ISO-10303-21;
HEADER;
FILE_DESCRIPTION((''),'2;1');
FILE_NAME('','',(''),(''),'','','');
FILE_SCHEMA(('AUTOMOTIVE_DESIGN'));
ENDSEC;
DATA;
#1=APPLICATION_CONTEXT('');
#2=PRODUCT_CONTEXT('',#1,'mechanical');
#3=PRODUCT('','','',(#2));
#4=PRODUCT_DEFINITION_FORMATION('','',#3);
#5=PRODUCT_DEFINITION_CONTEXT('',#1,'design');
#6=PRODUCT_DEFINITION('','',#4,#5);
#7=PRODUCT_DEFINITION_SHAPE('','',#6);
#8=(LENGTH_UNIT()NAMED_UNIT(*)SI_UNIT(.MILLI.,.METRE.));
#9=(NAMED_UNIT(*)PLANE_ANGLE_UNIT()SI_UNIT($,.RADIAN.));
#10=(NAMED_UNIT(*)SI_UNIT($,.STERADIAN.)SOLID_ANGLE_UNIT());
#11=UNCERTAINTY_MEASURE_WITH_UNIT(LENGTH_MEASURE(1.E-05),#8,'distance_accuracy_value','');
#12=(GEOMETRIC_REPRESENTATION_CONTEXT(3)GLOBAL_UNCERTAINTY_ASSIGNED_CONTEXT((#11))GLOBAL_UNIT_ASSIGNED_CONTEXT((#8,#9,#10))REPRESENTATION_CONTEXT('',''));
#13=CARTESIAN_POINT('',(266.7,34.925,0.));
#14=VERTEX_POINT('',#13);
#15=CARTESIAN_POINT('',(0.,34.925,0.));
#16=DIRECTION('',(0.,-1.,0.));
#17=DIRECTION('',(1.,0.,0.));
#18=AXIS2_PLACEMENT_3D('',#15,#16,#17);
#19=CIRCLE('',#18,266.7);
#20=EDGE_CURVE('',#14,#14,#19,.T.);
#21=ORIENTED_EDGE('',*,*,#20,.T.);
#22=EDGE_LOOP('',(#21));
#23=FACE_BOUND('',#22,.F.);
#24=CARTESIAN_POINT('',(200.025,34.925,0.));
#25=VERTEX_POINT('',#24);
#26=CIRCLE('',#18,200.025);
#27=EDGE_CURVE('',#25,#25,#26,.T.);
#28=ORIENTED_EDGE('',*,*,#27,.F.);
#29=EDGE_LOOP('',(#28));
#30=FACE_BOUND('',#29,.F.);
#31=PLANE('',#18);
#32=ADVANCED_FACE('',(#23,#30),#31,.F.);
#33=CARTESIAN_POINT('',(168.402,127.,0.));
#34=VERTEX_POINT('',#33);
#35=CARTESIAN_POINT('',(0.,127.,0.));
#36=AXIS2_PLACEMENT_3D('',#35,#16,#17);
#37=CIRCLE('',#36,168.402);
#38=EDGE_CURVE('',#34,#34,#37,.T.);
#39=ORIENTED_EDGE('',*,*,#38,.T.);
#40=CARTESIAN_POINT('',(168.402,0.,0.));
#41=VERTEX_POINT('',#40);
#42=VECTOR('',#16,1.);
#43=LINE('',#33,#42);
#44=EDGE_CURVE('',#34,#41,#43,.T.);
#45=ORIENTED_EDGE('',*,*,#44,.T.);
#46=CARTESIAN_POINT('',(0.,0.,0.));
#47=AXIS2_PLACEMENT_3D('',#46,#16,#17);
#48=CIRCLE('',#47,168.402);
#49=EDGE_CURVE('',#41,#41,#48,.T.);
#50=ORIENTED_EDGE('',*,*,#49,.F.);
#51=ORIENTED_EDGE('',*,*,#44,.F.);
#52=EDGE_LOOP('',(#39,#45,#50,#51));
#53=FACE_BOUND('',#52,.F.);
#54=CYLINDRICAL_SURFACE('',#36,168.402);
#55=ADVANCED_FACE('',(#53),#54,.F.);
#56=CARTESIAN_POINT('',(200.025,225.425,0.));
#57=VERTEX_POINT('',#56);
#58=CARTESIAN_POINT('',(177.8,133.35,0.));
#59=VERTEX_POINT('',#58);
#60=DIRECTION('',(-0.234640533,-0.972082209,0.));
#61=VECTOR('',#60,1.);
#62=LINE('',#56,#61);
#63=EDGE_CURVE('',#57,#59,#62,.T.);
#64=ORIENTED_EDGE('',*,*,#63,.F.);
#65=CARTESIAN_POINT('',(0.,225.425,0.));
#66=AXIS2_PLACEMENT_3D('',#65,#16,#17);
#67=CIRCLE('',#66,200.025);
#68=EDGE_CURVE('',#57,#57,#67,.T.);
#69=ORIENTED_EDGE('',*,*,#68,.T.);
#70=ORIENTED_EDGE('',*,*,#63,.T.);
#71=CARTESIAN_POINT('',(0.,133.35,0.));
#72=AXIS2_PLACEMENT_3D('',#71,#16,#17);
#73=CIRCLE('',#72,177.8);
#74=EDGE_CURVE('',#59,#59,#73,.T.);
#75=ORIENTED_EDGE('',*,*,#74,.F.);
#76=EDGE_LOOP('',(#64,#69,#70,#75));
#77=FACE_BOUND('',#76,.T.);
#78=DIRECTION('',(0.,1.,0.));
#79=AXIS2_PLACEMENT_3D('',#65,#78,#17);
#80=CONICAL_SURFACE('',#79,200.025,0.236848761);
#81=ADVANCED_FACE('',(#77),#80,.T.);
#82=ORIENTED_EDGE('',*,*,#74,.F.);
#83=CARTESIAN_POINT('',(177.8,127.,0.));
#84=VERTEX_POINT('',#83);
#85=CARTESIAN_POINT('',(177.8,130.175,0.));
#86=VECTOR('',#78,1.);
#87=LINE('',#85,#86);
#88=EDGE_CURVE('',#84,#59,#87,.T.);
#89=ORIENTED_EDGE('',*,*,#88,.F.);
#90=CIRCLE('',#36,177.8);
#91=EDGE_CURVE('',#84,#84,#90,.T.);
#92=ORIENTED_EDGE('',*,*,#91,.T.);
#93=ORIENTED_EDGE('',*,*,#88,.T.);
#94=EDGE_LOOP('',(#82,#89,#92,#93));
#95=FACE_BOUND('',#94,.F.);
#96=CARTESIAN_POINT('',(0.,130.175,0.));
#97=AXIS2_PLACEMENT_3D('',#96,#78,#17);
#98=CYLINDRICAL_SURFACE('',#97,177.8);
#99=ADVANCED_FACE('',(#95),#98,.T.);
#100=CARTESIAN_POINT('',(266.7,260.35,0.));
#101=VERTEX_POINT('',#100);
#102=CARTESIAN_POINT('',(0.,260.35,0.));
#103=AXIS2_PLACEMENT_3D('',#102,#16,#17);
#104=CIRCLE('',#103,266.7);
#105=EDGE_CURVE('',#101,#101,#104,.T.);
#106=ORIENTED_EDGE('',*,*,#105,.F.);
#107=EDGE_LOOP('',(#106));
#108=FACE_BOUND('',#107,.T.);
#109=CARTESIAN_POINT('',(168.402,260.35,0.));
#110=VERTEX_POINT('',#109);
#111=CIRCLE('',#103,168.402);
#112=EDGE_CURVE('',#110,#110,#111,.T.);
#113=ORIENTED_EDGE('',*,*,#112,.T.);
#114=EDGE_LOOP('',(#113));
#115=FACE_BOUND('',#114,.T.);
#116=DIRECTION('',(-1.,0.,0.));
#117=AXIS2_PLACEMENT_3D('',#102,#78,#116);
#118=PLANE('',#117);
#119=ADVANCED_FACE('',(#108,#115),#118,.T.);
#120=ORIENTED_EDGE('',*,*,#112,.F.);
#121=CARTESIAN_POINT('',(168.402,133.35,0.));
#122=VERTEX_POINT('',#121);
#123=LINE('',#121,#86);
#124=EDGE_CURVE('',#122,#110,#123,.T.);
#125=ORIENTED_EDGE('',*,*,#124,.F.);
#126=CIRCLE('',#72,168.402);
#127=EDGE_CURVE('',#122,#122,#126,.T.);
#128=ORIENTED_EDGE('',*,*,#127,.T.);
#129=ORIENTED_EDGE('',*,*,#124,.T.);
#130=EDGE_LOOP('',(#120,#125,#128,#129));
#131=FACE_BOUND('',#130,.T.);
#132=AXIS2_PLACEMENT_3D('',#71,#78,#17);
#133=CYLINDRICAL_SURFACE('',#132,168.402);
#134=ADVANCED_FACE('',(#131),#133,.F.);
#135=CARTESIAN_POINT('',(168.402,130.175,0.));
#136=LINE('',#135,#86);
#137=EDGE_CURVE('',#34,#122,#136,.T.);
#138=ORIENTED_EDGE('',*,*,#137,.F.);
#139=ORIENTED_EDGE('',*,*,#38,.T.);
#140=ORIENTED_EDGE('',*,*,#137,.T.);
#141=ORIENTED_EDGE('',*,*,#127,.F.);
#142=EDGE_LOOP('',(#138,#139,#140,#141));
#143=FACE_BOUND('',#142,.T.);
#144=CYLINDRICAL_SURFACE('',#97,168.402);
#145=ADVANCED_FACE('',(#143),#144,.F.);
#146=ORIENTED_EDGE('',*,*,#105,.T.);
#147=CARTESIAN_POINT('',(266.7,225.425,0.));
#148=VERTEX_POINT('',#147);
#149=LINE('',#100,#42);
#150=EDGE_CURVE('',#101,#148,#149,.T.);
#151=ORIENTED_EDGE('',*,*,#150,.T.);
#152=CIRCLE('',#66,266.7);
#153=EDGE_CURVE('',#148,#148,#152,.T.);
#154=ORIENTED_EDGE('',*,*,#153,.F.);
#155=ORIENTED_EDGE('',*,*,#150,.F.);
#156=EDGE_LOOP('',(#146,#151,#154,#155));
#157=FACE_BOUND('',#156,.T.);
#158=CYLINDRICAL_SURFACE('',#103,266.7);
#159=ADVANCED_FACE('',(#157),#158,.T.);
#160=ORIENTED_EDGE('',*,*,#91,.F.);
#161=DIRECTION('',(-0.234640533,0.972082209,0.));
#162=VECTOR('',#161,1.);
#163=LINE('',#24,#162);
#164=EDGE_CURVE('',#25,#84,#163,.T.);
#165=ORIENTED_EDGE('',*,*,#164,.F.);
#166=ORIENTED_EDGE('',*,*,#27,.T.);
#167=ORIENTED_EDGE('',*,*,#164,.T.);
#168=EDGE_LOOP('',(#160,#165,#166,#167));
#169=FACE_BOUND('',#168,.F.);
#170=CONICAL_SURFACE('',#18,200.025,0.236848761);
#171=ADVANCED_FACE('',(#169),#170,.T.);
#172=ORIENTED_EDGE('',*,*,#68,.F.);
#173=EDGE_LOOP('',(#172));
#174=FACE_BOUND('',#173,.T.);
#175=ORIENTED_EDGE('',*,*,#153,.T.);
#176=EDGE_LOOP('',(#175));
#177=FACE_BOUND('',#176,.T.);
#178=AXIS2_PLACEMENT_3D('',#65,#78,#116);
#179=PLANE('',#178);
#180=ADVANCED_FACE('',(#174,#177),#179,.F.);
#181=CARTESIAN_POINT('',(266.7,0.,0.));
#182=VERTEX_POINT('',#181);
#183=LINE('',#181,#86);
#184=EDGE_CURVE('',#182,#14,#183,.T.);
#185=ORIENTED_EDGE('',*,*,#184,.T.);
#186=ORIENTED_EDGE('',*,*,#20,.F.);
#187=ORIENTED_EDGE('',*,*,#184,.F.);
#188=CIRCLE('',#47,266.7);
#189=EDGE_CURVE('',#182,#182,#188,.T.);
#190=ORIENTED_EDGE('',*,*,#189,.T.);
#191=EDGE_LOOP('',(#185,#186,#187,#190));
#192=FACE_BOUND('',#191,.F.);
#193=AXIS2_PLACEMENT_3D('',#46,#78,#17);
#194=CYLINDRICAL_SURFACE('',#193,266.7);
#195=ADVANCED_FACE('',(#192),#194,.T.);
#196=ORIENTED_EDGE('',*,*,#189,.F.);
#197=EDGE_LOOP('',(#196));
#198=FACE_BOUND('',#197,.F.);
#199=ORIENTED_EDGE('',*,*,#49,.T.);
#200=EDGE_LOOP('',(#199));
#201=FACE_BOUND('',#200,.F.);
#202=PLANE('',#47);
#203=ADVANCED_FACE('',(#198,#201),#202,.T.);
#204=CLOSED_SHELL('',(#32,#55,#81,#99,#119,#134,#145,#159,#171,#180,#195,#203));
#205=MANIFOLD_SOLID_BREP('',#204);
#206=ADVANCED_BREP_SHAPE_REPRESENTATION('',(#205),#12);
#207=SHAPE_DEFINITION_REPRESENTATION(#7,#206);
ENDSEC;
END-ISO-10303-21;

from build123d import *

# Parameters (mm, degrees)
F4_W = 9.398
F4_H = 6.35


with BuildPart() as f1:
    # F0 (on Top) → F1 (revolve)
    with BuildSketch(Plane.XY):
        Polygon((168.402, 0), (266.7, 0), (266.7, 34.925), (200.025, 34.925), (177.8, 127), (168.402, 127), align=None)
    revolve(axis=Axis((0, 63.5, 0), (0, -1, 0)))



with BuildPart() as f3_1:
    # F3: instance of F1
    add(f1.part.mirror(Plane.XZ.offset(-130.175)))


with BuildPart() as f1_1:
    add(f1.part)

    add(f3_1.part)  # F5 merges F3_1
    # F4 (on Top) → F5 (revolve)
    with BuildSketch(Plane.XY):
        with Locations((173.101, 130.175)):
            Rectangle(F4_W, F4_H)
    revolve(axis=Axis((0, 63.5, 0), (0, -1, 0)))


solid = f1_1.part
